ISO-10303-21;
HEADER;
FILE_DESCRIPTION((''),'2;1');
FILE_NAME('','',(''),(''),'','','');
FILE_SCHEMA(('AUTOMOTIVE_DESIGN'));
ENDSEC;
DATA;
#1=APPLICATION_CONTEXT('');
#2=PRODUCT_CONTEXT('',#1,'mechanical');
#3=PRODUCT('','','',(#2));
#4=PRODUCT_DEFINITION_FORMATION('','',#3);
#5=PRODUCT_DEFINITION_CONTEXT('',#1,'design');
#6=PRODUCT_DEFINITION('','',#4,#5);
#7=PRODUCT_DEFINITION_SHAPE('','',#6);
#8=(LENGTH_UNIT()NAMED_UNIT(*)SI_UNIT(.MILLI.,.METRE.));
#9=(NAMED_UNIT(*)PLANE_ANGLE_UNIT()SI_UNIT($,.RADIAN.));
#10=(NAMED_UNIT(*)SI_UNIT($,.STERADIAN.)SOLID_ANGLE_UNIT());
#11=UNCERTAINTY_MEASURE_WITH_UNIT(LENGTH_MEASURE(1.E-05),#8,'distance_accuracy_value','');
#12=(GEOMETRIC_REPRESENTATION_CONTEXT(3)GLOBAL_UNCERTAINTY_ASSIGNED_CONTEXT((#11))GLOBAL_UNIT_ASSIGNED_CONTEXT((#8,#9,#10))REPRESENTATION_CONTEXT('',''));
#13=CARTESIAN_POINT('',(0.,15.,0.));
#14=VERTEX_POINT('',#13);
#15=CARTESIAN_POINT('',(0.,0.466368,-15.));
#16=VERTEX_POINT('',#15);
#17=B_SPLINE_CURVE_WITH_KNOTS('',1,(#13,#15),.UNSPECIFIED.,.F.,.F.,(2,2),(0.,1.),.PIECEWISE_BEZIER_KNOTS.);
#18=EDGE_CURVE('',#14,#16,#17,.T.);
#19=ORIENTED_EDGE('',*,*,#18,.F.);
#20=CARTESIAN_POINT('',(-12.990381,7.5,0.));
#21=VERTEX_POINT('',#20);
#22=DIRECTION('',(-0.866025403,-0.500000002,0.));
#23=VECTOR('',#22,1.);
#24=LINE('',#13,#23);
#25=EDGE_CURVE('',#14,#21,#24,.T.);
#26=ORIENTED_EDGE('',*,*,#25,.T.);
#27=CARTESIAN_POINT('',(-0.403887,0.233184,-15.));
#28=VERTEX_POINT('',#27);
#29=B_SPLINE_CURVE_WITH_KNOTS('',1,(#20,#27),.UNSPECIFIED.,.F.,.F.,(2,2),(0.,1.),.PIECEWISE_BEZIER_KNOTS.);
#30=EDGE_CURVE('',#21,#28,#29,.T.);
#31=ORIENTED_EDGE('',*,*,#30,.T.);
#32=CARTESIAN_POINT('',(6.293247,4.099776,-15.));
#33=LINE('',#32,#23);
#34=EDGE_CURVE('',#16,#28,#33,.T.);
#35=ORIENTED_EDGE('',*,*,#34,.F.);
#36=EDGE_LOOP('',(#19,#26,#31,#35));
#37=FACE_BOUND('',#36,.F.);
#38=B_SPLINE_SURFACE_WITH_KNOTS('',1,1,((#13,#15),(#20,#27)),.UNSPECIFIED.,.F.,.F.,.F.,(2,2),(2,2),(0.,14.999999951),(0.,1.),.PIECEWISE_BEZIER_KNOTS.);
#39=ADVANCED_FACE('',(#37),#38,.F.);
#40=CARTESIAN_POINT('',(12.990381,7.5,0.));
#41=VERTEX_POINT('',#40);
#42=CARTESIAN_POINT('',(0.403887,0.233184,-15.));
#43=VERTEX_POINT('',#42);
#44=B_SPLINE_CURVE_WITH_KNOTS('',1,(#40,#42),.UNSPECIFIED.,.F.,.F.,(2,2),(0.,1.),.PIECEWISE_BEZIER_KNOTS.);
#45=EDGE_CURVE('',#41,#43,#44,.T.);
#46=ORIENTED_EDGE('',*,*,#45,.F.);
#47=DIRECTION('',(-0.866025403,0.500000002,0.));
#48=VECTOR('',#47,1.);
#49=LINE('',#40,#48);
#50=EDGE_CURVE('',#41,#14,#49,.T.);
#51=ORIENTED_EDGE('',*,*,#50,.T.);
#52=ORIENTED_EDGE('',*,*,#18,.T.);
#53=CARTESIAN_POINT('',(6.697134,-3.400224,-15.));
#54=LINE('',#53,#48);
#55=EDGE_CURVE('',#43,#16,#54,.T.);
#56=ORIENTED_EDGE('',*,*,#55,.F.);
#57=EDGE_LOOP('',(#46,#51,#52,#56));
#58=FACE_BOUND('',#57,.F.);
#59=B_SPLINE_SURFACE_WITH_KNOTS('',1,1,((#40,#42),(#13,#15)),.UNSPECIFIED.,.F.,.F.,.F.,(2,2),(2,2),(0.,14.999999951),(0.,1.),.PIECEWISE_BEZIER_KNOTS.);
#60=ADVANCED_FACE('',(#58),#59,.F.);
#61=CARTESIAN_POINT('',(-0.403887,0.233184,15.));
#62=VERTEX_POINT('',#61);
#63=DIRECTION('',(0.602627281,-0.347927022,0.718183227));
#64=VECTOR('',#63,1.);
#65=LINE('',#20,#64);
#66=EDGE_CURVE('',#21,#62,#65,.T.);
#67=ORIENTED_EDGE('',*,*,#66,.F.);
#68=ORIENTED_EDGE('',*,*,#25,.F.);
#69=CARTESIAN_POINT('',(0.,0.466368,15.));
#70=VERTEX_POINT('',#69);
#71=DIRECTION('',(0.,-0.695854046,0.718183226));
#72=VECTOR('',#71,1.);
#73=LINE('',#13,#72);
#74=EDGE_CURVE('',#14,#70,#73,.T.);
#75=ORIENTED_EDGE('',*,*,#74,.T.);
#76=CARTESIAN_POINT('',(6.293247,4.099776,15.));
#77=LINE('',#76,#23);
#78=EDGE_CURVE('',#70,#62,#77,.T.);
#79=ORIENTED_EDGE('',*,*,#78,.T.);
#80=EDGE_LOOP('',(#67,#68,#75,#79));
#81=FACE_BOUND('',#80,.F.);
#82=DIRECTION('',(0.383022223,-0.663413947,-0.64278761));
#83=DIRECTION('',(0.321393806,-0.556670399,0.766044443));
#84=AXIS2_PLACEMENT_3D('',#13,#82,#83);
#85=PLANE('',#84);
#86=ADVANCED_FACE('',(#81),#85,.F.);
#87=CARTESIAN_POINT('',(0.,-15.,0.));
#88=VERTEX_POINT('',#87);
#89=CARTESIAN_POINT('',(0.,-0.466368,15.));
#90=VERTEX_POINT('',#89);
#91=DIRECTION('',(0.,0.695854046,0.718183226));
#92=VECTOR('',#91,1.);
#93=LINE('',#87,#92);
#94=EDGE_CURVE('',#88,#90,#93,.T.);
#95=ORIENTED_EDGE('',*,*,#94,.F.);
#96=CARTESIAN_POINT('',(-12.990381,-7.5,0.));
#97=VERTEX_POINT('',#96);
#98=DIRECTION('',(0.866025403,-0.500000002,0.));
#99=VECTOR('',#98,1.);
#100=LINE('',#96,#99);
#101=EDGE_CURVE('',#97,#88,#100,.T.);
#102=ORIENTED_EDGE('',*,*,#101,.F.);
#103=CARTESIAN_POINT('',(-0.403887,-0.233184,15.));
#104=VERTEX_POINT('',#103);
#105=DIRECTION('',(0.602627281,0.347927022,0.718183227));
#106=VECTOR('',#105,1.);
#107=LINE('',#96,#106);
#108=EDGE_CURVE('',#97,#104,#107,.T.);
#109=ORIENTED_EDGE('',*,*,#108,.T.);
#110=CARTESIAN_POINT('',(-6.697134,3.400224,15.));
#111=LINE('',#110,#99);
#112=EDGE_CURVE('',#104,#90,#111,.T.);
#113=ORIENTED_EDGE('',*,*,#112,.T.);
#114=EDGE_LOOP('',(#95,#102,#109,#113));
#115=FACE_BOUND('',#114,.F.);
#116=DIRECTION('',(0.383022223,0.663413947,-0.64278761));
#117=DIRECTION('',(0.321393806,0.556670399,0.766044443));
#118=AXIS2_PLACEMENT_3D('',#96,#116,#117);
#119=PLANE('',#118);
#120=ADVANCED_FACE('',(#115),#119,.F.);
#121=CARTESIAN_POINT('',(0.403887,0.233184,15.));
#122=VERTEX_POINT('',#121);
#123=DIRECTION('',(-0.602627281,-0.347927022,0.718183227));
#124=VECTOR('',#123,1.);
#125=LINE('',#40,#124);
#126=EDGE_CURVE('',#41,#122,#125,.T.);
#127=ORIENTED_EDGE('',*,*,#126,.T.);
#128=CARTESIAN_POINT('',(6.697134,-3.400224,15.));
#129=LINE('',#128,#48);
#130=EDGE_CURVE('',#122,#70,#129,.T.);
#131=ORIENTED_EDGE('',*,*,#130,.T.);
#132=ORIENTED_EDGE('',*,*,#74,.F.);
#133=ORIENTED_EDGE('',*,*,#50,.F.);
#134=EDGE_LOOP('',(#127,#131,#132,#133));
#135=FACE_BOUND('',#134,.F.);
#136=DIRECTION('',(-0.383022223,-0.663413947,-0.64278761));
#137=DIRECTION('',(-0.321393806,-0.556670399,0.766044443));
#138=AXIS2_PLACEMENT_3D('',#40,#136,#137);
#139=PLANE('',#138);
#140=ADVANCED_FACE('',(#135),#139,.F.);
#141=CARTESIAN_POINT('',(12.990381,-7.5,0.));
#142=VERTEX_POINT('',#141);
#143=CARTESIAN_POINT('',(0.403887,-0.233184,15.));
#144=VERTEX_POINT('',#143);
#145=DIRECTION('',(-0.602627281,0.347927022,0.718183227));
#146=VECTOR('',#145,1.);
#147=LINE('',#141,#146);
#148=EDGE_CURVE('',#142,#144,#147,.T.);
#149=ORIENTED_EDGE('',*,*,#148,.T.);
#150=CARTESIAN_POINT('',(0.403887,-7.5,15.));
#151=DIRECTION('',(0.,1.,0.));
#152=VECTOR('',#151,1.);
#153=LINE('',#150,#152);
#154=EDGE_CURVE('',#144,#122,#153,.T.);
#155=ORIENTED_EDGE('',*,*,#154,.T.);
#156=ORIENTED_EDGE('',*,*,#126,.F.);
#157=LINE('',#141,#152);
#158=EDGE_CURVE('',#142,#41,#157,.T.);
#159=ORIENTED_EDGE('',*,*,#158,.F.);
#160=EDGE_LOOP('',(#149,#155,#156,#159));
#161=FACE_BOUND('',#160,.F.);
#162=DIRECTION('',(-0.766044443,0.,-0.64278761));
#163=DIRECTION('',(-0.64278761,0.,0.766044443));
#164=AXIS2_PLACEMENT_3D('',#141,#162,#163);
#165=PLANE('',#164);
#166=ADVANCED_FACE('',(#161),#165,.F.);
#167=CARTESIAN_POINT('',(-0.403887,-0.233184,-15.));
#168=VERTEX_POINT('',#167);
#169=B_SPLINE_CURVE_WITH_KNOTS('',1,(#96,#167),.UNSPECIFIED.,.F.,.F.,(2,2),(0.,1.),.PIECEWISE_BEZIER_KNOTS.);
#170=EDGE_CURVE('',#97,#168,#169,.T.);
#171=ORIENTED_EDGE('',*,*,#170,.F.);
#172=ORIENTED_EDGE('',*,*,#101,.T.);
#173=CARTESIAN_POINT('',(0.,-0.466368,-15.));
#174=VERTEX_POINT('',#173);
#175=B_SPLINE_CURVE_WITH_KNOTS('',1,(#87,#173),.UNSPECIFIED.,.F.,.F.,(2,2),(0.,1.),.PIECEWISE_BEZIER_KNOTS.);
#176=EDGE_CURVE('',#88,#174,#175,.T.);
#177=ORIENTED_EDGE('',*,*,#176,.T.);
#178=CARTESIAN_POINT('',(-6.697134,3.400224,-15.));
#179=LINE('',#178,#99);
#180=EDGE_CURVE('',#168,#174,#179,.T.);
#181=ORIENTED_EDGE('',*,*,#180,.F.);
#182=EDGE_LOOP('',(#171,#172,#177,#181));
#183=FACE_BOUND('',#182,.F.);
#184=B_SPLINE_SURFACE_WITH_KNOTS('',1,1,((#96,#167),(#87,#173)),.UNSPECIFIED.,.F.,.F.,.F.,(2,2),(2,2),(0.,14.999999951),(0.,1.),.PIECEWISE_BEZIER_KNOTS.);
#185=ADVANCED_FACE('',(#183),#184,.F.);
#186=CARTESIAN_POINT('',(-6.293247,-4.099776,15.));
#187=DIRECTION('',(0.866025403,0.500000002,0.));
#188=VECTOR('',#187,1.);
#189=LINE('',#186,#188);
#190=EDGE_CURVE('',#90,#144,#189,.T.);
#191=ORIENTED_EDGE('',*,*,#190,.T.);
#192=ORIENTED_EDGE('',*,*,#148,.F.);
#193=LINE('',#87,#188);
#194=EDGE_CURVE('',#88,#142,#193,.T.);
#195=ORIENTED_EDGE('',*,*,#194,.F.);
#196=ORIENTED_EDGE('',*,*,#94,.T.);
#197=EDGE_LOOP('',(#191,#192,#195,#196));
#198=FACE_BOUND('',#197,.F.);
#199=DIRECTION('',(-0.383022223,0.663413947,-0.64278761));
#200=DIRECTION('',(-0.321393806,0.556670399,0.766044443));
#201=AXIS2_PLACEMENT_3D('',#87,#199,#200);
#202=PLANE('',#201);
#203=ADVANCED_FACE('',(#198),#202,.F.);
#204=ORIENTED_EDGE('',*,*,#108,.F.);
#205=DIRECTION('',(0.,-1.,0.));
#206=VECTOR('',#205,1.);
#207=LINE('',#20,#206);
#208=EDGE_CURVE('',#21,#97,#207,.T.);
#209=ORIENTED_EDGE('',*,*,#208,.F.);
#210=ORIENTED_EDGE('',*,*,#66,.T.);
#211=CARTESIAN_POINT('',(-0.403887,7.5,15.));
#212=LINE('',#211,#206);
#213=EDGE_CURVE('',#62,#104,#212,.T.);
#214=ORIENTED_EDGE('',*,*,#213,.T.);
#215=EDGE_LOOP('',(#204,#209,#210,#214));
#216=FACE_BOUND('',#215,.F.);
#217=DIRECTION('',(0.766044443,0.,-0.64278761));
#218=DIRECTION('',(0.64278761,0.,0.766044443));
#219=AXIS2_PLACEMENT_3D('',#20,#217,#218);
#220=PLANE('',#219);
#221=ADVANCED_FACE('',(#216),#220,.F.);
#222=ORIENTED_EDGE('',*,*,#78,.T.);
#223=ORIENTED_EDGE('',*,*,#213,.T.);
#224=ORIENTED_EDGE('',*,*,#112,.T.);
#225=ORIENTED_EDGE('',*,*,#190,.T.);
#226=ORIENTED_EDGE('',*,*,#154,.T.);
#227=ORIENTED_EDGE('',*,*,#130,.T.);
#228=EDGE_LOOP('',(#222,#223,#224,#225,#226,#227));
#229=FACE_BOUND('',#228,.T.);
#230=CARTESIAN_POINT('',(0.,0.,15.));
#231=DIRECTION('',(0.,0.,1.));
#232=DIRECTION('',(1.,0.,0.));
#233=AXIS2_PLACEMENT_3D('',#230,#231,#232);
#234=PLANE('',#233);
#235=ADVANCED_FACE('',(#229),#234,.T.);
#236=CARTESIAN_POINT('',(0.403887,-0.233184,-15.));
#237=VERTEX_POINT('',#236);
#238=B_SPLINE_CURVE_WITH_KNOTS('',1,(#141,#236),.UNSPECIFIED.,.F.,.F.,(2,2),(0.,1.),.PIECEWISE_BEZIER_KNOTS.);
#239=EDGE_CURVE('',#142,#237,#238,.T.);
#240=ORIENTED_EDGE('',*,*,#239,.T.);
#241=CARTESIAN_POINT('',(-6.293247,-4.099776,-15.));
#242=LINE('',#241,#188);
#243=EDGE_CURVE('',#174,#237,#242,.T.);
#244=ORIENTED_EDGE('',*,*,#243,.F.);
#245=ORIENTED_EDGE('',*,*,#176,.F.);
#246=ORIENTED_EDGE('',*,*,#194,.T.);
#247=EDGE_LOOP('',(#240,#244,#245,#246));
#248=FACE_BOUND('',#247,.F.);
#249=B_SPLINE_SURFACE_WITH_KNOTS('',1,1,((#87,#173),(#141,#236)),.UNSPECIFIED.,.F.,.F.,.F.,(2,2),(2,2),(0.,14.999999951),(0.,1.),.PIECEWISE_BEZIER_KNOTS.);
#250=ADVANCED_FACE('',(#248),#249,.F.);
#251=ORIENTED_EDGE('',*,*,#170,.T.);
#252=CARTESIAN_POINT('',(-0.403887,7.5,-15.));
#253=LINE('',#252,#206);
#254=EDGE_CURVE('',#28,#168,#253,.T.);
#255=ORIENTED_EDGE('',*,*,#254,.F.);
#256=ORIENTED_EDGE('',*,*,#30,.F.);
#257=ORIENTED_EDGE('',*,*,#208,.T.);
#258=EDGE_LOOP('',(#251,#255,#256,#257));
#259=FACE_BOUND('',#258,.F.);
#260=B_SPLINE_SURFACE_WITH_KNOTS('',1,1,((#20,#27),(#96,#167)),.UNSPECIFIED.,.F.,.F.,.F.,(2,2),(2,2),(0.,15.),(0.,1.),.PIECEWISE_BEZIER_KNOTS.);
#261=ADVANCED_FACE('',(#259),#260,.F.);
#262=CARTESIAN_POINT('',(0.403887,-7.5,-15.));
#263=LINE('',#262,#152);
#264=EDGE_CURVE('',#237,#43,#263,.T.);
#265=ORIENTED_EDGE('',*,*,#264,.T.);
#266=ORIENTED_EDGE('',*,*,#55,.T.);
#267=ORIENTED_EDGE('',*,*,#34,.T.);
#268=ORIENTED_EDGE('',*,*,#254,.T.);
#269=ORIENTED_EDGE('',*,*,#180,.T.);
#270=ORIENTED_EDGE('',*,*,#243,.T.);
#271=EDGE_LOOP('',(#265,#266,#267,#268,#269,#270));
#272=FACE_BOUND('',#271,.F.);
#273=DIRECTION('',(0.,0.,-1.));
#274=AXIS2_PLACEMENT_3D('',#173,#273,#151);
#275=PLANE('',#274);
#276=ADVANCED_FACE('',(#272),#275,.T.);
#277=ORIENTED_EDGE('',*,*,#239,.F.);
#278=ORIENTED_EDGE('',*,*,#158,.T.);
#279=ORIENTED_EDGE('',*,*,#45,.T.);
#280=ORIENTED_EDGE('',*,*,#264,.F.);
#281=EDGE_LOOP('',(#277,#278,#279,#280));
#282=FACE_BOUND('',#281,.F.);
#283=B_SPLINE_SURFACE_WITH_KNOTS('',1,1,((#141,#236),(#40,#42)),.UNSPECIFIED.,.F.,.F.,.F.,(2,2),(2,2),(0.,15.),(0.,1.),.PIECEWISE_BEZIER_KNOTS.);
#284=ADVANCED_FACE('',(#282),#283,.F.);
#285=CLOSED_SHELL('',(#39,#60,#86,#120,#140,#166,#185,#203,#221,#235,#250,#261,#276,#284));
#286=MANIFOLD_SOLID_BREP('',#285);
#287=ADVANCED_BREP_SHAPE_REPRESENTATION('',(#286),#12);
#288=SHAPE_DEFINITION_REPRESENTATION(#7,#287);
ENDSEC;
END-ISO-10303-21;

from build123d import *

# Parameters (mm, degrees)
PAD_DEPTH = 15
PAD_TAPER = 40


with BuildPart() as part:
    # Sketch (on XY_Plane of Origin) → Pad (new body, symmetric)
    with BuildSketch(Plane.XY):
        Polygon((0, -15), (12.990381, -7.5), (12.990381, 7.5), (0, 15), (-12.990381, 7.5), (-12.990381, -7.5), align=None)
    extrude(amount=PAD_DEPTH, both=True, taper=PAD_TAPER)


solid = part.part
